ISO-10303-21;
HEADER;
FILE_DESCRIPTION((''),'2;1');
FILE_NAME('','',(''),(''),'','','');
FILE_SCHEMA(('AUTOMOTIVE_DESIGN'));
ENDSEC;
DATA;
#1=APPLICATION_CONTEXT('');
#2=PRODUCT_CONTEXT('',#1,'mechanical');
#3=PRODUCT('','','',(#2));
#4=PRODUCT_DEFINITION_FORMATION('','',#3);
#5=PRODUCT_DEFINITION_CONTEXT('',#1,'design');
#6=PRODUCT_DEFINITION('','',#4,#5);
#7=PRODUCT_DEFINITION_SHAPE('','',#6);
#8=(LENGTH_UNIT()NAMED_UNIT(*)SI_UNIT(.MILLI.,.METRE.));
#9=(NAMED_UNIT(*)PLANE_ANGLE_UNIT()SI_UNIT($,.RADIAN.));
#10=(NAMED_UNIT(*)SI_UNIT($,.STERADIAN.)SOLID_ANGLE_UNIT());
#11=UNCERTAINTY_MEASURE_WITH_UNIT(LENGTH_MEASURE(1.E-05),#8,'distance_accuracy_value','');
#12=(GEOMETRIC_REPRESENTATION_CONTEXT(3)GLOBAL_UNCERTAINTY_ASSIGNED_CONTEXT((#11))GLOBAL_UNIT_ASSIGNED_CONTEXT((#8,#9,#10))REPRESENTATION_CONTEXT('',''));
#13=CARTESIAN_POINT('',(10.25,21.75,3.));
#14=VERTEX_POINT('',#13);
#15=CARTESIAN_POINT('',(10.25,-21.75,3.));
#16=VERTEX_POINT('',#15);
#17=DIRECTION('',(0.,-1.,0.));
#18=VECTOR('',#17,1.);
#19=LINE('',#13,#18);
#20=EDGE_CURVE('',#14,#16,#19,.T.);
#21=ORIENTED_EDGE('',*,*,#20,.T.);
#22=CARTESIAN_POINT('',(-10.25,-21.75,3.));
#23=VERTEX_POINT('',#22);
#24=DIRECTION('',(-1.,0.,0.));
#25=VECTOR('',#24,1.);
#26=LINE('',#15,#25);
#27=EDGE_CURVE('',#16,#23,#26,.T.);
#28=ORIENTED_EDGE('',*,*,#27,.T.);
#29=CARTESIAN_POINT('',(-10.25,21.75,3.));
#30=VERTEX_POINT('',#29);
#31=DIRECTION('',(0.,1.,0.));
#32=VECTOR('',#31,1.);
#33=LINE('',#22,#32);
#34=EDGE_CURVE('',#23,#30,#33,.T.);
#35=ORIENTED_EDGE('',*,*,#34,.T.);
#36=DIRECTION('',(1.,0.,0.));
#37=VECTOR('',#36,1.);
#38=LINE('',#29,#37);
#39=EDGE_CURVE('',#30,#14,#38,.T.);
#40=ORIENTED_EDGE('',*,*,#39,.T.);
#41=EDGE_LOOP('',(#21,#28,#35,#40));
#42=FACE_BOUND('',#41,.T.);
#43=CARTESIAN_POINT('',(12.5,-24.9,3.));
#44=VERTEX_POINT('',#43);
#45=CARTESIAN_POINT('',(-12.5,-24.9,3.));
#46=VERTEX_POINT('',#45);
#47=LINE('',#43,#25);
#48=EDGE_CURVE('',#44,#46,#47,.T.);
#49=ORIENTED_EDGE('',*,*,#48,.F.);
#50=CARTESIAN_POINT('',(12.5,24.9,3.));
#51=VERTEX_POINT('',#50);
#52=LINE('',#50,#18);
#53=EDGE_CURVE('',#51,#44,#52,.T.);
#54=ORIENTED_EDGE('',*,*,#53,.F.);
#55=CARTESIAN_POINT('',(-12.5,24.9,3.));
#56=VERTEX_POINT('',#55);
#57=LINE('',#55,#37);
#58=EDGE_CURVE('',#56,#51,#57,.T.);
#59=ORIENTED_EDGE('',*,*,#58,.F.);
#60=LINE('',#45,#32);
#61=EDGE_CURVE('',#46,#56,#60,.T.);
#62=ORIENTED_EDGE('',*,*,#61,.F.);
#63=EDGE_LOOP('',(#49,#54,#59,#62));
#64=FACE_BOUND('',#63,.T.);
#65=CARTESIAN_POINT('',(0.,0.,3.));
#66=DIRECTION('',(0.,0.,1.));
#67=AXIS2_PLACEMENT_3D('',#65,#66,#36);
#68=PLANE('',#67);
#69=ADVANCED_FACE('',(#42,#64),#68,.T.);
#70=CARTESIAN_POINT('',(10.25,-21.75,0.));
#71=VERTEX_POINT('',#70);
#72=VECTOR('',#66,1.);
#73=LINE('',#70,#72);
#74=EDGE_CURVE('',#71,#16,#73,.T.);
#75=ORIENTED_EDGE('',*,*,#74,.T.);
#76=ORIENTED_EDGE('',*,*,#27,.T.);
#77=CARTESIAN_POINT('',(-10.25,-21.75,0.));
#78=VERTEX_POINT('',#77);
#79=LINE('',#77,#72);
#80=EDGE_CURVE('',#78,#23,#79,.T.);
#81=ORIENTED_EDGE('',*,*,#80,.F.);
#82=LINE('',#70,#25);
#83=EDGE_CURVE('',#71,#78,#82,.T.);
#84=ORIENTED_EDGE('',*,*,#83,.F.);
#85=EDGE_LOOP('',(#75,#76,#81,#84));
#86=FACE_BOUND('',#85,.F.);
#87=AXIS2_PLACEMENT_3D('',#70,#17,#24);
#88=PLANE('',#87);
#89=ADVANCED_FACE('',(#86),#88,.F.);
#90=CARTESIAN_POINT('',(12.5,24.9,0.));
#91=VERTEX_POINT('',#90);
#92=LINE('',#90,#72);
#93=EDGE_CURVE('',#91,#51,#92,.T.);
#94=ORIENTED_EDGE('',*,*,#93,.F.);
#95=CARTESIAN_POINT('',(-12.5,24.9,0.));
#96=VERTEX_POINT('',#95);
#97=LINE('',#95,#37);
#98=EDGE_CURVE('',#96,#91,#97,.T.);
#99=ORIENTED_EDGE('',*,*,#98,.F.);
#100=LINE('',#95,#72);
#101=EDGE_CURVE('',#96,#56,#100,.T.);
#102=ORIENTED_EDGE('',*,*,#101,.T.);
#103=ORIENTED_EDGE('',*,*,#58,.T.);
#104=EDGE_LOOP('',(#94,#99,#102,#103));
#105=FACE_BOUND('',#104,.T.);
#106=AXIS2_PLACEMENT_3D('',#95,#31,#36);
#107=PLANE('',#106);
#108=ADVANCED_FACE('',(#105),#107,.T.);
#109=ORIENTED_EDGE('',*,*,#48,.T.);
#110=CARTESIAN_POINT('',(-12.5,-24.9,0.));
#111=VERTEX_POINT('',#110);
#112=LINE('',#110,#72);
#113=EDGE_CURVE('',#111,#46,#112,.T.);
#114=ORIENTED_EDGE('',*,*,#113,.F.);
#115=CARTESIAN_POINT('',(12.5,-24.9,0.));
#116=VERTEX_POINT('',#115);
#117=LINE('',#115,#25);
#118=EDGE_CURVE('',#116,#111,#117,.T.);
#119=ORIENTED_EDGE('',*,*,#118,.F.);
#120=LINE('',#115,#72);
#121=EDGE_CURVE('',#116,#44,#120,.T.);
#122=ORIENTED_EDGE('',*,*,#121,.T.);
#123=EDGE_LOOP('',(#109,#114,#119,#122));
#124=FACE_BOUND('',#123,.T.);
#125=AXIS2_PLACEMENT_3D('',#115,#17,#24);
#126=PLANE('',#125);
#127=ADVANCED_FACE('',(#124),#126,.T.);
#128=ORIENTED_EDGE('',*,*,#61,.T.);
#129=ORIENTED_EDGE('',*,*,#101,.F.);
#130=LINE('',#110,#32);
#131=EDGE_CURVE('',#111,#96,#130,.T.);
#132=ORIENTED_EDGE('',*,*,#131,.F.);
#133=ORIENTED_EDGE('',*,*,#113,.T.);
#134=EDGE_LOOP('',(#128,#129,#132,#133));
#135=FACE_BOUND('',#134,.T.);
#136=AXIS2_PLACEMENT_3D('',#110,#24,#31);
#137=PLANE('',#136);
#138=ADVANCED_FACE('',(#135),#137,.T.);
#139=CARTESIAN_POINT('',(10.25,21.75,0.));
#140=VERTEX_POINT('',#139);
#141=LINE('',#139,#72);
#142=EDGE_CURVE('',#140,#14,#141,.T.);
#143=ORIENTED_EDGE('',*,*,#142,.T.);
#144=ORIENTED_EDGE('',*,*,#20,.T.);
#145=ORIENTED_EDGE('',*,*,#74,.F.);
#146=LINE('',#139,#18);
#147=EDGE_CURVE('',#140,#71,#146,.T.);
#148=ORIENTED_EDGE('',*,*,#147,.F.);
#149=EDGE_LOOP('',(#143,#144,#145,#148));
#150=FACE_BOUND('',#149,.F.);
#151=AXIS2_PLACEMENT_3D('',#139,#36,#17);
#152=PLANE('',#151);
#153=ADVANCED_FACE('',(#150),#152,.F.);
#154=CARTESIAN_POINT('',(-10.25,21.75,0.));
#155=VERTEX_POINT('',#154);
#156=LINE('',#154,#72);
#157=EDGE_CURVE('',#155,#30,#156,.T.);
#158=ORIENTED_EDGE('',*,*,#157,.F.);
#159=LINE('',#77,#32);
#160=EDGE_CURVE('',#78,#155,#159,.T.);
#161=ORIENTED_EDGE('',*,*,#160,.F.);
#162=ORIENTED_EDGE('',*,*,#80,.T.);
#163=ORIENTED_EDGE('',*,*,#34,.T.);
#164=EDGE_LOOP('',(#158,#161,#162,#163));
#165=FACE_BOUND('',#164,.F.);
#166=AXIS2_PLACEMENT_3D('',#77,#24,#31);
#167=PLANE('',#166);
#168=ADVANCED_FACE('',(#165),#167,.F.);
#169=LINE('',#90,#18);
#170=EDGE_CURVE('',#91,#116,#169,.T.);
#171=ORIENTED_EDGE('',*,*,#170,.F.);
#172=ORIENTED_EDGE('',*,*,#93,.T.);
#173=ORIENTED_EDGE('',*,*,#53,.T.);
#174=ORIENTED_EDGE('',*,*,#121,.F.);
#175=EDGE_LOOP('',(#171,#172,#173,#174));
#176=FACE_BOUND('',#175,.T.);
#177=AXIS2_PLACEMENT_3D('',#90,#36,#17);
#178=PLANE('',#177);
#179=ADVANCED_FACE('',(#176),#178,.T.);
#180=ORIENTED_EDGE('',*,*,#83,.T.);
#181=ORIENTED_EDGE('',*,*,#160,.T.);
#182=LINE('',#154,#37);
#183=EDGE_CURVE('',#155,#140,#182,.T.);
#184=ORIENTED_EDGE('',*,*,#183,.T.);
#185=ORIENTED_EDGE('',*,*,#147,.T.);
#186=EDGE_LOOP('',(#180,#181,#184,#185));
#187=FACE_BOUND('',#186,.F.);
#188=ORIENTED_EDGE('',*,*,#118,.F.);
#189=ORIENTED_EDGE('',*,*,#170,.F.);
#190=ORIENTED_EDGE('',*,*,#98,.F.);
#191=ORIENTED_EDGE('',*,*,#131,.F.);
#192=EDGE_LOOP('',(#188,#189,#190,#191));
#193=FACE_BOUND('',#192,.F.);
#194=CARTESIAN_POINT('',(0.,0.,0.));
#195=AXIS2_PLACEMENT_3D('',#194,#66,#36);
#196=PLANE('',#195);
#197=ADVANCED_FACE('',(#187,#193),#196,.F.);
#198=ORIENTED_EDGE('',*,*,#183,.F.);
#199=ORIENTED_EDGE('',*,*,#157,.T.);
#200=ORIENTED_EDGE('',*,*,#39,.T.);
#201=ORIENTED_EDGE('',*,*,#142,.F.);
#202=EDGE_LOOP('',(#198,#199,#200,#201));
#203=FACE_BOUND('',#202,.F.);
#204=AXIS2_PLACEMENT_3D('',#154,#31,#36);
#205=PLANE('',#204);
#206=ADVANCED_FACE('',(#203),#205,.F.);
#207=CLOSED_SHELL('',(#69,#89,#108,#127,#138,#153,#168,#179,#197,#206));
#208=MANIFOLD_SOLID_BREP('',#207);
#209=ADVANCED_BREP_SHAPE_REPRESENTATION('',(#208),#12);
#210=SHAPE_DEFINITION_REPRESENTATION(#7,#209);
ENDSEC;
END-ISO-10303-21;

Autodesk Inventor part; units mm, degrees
ref_plane "YZ Plane" through (0, 0, 0) normal (1, 0, 0) x (0, 1, 0)
ref_plane "XZ Plane" through (0, 0, 0) normal (0, 1, 0) x (-1, 0, 0)
ref_plane "XY Plane" through (0, 0, 0) normal (0, 0, 1) x (1, 0, 0)
sketch "Sketch1" plane through (0, 0, 0) normal (0, 0, 1) x (1, 0, 0)
  line L0 (-17.5, 0) -> (17.5, 0) construction
  line L1 (0, -34.86) -> (0, 34.86) construction
  line L2 (-12.5, 24.9) -> (12.5, 24.9)
  line L3 (12.5, 24.9) -> (12.5, -24.9)
  line L4 (12.5, -24.9) -> (-12.5, -24.9)
  line L5 (-12.5, -24.9) -> (-12.5, 24.9)
  line L6 (-10.25, 21.75) -> (10.25, 21.75)
  line L7 (10.25, 21.75) -> (10.25, -21.75)
  line L8 (10.25, -21.75) -> (-10.25, -21.75)
  line L9 (-10.25, -21.75) -> (-10.25, 21.75)
  point P0 (0, 0)
  dimension "d0" = 20.5
  dimension "d1" = 25
  dimension "d2" = 49.8
  dimension "d3" = 43.5
extrude "Extrusion1" add sketch "Sketch1" along normal blind 3
properties part number "20_Cube_Insert_Sample_clamp"
